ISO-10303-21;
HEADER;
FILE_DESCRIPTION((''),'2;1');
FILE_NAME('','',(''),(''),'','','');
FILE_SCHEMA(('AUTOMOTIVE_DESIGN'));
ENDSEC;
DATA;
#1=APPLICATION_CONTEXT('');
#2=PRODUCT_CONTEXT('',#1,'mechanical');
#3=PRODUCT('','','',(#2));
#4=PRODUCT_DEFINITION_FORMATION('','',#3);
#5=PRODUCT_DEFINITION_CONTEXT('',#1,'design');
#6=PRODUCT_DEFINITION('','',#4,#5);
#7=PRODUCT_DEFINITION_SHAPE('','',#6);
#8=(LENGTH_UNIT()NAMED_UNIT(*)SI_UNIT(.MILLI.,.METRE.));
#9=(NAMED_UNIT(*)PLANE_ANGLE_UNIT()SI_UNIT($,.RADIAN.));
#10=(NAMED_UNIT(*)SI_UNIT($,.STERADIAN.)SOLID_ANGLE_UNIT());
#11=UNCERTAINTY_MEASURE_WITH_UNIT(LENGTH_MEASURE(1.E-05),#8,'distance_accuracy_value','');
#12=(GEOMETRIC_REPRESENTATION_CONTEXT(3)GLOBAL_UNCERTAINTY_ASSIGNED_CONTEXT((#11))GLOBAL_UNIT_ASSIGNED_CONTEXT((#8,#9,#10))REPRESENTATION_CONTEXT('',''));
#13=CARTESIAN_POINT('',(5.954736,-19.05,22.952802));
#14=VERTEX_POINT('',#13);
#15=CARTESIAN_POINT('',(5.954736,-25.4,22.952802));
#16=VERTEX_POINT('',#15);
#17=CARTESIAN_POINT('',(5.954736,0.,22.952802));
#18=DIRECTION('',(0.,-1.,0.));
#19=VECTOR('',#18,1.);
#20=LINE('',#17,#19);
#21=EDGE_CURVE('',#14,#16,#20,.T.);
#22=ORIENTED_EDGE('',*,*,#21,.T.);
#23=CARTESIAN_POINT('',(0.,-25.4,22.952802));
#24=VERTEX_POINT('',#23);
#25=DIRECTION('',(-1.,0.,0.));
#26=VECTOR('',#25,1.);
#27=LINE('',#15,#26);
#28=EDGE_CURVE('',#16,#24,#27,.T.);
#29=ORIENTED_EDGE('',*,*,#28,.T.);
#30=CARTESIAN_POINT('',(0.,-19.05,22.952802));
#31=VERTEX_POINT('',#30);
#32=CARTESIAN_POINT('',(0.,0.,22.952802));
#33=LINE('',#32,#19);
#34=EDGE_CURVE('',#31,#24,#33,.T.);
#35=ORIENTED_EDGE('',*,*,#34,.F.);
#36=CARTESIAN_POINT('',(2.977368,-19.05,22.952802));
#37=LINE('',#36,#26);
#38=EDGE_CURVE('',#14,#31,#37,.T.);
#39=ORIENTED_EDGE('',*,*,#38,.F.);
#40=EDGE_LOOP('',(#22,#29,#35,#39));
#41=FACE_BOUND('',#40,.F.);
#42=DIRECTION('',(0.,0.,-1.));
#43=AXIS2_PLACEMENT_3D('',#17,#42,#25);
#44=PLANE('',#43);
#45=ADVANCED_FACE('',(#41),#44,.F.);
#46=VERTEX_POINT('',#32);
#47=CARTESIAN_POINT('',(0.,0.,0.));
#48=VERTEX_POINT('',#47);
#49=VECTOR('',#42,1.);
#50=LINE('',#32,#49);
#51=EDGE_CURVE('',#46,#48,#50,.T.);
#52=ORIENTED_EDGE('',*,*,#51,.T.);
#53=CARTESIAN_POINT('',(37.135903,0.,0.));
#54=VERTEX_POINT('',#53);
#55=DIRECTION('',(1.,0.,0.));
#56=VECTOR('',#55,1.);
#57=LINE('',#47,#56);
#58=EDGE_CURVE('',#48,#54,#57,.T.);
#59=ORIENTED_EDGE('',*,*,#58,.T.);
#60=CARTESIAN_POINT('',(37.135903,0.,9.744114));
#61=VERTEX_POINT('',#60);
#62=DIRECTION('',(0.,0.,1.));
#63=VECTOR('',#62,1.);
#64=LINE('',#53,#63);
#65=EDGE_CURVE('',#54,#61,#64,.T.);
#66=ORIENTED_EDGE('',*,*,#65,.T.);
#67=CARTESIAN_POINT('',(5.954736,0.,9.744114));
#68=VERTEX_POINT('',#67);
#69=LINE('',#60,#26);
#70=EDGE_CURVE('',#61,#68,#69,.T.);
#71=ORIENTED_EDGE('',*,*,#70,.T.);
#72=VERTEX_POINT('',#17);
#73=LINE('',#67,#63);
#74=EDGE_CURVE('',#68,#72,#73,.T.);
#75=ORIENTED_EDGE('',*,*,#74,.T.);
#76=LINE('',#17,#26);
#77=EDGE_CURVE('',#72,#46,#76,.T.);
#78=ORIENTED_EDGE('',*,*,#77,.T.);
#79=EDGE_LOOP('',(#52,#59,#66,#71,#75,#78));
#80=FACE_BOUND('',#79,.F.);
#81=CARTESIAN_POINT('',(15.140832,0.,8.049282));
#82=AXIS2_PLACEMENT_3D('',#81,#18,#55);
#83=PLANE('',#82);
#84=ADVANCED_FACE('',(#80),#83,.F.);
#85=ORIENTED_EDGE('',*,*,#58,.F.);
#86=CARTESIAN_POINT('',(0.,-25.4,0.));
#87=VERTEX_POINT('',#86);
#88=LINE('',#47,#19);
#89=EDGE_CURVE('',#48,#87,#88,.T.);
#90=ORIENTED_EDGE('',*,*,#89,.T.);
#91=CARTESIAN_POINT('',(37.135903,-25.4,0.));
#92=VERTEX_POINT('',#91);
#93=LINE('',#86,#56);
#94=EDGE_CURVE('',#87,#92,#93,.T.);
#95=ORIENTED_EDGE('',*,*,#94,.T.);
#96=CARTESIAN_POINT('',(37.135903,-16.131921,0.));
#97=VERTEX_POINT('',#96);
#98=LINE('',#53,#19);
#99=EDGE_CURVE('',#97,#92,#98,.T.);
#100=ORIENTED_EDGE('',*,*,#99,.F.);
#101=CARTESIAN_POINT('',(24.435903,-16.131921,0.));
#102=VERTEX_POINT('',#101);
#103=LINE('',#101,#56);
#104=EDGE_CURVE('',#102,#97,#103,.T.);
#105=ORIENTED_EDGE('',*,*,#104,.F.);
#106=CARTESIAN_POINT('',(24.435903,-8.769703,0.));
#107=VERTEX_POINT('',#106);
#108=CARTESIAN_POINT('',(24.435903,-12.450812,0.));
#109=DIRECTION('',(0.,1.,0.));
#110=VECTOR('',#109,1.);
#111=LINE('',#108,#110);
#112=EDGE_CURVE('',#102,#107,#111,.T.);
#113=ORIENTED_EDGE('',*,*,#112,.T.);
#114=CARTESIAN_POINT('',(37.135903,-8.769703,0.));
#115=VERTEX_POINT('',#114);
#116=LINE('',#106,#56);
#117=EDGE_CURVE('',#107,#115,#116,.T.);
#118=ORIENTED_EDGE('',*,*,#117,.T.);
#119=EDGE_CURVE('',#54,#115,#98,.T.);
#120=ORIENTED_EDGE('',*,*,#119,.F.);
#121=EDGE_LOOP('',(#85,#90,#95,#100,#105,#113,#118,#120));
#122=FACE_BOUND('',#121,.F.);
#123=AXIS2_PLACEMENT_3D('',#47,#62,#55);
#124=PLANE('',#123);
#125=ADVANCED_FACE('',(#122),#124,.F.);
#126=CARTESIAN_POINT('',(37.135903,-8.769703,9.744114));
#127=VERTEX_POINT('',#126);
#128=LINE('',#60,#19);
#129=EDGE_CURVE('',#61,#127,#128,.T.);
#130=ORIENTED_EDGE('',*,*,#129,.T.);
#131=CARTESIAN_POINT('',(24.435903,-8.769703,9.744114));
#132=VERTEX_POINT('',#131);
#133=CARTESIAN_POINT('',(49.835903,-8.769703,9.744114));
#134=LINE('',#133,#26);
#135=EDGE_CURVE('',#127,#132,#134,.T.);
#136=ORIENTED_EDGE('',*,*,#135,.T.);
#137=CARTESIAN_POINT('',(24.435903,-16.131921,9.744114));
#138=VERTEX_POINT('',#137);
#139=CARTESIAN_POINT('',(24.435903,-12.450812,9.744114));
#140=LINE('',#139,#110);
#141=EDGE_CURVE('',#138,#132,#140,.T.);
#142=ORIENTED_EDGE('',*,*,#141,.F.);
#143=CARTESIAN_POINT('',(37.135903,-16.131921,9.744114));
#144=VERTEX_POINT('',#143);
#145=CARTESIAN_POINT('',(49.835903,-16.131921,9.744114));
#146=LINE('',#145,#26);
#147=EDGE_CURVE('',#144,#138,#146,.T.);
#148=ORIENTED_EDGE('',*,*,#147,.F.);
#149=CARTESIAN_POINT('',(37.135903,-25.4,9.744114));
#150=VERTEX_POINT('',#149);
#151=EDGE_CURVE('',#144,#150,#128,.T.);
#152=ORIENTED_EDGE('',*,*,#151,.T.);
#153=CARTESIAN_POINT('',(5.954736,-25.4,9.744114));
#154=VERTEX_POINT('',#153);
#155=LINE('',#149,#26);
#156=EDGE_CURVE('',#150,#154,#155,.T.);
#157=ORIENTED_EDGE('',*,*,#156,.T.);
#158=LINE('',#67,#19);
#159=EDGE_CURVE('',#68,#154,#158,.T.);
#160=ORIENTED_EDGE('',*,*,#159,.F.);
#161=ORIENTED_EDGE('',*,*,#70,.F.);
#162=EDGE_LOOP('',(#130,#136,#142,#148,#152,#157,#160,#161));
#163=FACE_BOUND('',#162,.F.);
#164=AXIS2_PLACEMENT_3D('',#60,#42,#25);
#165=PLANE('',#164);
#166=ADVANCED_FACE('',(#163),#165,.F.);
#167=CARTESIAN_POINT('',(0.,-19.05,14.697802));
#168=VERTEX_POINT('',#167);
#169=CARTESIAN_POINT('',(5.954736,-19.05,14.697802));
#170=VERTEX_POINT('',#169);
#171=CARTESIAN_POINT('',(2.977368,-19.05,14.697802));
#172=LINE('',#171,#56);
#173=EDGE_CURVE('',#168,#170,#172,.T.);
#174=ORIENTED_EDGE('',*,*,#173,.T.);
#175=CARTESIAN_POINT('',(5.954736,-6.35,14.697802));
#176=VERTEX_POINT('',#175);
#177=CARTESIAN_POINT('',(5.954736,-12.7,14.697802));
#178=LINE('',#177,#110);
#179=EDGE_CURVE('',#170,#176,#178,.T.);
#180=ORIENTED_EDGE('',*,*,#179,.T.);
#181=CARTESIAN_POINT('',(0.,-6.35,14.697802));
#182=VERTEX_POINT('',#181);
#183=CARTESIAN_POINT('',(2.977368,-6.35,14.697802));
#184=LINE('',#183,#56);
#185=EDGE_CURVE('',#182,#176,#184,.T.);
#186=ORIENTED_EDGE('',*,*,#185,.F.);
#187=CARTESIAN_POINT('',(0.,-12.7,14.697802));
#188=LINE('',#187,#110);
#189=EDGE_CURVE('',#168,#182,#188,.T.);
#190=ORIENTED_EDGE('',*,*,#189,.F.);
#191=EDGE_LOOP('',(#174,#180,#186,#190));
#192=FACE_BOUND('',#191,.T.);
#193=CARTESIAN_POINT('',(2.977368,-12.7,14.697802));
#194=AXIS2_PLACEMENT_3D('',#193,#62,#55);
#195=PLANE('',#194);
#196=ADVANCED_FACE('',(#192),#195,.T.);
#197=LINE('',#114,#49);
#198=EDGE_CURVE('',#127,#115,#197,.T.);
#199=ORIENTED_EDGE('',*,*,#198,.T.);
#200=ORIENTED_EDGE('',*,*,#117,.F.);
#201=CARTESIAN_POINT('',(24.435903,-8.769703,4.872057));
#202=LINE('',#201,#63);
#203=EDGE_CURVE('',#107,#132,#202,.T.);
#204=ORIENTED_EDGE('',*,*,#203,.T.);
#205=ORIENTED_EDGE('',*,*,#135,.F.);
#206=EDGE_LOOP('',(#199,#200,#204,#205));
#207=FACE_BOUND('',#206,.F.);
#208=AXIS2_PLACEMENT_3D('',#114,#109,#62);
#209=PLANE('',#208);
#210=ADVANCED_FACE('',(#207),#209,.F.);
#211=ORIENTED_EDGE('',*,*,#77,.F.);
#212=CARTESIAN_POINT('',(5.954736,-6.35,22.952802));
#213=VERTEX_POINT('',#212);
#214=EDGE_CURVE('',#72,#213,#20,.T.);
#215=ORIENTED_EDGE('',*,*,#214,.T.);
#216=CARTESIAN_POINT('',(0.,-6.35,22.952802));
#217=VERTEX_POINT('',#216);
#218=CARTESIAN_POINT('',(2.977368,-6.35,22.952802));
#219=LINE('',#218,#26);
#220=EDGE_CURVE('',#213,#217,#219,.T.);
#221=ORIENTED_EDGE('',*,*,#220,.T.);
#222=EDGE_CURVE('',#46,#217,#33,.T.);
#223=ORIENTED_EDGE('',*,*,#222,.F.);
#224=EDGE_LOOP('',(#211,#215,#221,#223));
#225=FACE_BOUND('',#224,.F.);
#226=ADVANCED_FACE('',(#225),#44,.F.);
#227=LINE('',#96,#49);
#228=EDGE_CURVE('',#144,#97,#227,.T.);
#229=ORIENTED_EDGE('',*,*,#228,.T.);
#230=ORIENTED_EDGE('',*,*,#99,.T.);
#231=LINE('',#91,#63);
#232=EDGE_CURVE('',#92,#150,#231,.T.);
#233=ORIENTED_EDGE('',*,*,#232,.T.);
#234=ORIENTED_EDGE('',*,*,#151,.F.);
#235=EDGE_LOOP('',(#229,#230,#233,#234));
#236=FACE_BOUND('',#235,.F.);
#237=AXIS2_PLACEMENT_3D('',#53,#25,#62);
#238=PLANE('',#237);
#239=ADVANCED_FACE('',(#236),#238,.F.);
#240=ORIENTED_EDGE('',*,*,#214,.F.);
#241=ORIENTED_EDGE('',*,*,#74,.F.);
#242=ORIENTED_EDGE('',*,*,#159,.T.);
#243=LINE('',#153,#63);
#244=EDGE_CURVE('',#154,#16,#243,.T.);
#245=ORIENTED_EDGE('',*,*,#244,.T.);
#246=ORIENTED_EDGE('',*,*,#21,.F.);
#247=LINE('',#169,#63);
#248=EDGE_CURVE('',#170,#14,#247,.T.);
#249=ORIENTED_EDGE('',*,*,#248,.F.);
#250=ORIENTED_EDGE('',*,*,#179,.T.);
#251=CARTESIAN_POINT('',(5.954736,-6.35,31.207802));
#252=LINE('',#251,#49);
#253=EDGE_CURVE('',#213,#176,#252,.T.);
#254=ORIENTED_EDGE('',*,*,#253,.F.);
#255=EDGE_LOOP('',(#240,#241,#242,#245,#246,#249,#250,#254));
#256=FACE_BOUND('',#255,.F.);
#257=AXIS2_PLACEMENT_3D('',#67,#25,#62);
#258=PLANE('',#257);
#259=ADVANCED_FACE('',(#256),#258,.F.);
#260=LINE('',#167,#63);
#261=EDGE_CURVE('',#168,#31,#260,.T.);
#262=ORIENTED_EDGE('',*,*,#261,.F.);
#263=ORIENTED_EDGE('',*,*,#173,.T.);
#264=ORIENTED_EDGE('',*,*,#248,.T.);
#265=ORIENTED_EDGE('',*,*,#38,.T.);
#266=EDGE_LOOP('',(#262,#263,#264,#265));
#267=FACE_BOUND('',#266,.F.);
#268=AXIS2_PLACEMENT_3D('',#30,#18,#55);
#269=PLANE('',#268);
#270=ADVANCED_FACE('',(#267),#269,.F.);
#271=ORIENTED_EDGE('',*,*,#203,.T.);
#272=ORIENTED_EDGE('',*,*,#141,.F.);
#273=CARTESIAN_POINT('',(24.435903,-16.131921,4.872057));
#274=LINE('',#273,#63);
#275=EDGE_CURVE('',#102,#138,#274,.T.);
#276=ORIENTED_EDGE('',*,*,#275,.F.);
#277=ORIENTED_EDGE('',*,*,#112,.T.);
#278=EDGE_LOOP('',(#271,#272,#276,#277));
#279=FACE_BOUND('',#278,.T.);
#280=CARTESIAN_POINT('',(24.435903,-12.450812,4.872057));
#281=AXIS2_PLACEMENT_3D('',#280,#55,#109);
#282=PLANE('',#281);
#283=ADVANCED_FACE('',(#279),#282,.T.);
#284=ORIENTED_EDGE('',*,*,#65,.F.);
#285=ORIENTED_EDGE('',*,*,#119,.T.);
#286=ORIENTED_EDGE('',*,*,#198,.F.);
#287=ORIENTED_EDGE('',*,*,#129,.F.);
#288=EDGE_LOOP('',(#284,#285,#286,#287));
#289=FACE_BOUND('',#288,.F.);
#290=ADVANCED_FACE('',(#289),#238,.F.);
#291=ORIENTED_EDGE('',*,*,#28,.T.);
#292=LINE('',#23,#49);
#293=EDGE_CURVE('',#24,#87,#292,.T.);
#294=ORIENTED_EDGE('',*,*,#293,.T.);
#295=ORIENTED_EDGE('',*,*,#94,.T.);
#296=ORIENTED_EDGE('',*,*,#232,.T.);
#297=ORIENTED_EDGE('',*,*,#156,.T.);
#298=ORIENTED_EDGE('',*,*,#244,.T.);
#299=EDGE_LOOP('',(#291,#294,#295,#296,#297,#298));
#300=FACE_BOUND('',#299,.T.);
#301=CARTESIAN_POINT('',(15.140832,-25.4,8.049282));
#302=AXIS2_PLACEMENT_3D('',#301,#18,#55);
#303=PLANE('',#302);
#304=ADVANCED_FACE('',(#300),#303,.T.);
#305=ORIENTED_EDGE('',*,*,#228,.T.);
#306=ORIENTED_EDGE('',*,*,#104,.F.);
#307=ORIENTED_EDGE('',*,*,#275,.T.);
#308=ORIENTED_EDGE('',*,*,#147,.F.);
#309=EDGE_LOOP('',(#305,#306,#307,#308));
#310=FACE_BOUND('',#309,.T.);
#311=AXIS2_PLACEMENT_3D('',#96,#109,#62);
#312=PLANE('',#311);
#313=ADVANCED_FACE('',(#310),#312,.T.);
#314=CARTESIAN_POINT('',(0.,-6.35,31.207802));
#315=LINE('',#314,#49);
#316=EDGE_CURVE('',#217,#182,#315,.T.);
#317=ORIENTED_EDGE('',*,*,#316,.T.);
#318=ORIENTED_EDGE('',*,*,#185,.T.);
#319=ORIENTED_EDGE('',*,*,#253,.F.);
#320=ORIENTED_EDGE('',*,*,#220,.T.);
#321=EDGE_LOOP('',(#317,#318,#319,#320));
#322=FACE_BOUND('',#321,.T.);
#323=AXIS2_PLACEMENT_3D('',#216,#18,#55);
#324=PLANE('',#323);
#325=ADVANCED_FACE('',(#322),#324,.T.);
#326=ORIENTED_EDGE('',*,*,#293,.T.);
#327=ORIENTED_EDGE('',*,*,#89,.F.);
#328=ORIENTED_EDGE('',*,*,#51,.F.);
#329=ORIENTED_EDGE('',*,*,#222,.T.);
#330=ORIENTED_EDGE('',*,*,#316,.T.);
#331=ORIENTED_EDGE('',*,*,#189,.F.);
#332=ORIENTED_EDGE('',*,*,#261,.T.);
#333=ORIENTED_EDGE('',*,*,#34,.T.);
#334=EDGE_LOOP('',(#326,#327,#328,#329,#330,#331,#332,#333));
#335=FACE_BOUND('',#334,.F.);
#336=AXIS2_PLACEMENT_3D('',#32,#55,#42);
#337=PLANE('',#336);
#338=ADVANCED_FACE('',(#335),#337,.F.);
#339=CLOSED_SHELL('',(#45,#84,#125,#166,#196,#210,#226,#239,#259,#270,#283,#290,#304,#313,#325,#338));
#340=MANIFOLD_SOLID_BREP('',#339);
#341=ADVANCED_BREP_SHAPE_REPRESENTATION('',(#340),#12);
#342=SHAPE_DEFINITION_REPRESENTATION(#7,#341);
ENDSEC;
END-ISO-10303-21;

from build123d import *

# Parameters (mm, degrees)
F1_DEPTH = 25.4
F2_W     = 5.954736
F2_H     = 12.7
F3_DEPTH = 8.255
F4_W     = 7.362218
F4_H     = 9.744114
F5_DEPTH = 12.7


with BuildPart() as f1:
    # F0 (on Front) → F1 (new body)
    with BuildSketch(Plane.XZ):
        Polygon((0, 22.952802), (0, 0), (37.135903, 0), (37.135903, 9.744114), (5.954736, 9.744114), (5.954736, 22.952802), align=None)
    extrude(amount=F1_DEPTH)

    # F2 (on face) → F3 (cut, symmetric)
    with BuildSketch(Plane.XY.offset(22.952802)):
        with Locations((2.977368, -12.7)):
            Rectangle(F2_W, F2_H)
    extrude(amount=F3_DEPTH, both=True, mode=Mode.SUBTRACT)

    # F4 (on face) → F5 (cut, symmetric)
    with BuildSketch(Plane.YZ.offset(37.135903)):
        with Locations((-12.450812, 4.872057)):
            Rectangle(F4_W, F4_H)
    extrude(amount=F5_DEPTH, both=True, mode=Mode.SUBTRACT)


solid = f1.part
